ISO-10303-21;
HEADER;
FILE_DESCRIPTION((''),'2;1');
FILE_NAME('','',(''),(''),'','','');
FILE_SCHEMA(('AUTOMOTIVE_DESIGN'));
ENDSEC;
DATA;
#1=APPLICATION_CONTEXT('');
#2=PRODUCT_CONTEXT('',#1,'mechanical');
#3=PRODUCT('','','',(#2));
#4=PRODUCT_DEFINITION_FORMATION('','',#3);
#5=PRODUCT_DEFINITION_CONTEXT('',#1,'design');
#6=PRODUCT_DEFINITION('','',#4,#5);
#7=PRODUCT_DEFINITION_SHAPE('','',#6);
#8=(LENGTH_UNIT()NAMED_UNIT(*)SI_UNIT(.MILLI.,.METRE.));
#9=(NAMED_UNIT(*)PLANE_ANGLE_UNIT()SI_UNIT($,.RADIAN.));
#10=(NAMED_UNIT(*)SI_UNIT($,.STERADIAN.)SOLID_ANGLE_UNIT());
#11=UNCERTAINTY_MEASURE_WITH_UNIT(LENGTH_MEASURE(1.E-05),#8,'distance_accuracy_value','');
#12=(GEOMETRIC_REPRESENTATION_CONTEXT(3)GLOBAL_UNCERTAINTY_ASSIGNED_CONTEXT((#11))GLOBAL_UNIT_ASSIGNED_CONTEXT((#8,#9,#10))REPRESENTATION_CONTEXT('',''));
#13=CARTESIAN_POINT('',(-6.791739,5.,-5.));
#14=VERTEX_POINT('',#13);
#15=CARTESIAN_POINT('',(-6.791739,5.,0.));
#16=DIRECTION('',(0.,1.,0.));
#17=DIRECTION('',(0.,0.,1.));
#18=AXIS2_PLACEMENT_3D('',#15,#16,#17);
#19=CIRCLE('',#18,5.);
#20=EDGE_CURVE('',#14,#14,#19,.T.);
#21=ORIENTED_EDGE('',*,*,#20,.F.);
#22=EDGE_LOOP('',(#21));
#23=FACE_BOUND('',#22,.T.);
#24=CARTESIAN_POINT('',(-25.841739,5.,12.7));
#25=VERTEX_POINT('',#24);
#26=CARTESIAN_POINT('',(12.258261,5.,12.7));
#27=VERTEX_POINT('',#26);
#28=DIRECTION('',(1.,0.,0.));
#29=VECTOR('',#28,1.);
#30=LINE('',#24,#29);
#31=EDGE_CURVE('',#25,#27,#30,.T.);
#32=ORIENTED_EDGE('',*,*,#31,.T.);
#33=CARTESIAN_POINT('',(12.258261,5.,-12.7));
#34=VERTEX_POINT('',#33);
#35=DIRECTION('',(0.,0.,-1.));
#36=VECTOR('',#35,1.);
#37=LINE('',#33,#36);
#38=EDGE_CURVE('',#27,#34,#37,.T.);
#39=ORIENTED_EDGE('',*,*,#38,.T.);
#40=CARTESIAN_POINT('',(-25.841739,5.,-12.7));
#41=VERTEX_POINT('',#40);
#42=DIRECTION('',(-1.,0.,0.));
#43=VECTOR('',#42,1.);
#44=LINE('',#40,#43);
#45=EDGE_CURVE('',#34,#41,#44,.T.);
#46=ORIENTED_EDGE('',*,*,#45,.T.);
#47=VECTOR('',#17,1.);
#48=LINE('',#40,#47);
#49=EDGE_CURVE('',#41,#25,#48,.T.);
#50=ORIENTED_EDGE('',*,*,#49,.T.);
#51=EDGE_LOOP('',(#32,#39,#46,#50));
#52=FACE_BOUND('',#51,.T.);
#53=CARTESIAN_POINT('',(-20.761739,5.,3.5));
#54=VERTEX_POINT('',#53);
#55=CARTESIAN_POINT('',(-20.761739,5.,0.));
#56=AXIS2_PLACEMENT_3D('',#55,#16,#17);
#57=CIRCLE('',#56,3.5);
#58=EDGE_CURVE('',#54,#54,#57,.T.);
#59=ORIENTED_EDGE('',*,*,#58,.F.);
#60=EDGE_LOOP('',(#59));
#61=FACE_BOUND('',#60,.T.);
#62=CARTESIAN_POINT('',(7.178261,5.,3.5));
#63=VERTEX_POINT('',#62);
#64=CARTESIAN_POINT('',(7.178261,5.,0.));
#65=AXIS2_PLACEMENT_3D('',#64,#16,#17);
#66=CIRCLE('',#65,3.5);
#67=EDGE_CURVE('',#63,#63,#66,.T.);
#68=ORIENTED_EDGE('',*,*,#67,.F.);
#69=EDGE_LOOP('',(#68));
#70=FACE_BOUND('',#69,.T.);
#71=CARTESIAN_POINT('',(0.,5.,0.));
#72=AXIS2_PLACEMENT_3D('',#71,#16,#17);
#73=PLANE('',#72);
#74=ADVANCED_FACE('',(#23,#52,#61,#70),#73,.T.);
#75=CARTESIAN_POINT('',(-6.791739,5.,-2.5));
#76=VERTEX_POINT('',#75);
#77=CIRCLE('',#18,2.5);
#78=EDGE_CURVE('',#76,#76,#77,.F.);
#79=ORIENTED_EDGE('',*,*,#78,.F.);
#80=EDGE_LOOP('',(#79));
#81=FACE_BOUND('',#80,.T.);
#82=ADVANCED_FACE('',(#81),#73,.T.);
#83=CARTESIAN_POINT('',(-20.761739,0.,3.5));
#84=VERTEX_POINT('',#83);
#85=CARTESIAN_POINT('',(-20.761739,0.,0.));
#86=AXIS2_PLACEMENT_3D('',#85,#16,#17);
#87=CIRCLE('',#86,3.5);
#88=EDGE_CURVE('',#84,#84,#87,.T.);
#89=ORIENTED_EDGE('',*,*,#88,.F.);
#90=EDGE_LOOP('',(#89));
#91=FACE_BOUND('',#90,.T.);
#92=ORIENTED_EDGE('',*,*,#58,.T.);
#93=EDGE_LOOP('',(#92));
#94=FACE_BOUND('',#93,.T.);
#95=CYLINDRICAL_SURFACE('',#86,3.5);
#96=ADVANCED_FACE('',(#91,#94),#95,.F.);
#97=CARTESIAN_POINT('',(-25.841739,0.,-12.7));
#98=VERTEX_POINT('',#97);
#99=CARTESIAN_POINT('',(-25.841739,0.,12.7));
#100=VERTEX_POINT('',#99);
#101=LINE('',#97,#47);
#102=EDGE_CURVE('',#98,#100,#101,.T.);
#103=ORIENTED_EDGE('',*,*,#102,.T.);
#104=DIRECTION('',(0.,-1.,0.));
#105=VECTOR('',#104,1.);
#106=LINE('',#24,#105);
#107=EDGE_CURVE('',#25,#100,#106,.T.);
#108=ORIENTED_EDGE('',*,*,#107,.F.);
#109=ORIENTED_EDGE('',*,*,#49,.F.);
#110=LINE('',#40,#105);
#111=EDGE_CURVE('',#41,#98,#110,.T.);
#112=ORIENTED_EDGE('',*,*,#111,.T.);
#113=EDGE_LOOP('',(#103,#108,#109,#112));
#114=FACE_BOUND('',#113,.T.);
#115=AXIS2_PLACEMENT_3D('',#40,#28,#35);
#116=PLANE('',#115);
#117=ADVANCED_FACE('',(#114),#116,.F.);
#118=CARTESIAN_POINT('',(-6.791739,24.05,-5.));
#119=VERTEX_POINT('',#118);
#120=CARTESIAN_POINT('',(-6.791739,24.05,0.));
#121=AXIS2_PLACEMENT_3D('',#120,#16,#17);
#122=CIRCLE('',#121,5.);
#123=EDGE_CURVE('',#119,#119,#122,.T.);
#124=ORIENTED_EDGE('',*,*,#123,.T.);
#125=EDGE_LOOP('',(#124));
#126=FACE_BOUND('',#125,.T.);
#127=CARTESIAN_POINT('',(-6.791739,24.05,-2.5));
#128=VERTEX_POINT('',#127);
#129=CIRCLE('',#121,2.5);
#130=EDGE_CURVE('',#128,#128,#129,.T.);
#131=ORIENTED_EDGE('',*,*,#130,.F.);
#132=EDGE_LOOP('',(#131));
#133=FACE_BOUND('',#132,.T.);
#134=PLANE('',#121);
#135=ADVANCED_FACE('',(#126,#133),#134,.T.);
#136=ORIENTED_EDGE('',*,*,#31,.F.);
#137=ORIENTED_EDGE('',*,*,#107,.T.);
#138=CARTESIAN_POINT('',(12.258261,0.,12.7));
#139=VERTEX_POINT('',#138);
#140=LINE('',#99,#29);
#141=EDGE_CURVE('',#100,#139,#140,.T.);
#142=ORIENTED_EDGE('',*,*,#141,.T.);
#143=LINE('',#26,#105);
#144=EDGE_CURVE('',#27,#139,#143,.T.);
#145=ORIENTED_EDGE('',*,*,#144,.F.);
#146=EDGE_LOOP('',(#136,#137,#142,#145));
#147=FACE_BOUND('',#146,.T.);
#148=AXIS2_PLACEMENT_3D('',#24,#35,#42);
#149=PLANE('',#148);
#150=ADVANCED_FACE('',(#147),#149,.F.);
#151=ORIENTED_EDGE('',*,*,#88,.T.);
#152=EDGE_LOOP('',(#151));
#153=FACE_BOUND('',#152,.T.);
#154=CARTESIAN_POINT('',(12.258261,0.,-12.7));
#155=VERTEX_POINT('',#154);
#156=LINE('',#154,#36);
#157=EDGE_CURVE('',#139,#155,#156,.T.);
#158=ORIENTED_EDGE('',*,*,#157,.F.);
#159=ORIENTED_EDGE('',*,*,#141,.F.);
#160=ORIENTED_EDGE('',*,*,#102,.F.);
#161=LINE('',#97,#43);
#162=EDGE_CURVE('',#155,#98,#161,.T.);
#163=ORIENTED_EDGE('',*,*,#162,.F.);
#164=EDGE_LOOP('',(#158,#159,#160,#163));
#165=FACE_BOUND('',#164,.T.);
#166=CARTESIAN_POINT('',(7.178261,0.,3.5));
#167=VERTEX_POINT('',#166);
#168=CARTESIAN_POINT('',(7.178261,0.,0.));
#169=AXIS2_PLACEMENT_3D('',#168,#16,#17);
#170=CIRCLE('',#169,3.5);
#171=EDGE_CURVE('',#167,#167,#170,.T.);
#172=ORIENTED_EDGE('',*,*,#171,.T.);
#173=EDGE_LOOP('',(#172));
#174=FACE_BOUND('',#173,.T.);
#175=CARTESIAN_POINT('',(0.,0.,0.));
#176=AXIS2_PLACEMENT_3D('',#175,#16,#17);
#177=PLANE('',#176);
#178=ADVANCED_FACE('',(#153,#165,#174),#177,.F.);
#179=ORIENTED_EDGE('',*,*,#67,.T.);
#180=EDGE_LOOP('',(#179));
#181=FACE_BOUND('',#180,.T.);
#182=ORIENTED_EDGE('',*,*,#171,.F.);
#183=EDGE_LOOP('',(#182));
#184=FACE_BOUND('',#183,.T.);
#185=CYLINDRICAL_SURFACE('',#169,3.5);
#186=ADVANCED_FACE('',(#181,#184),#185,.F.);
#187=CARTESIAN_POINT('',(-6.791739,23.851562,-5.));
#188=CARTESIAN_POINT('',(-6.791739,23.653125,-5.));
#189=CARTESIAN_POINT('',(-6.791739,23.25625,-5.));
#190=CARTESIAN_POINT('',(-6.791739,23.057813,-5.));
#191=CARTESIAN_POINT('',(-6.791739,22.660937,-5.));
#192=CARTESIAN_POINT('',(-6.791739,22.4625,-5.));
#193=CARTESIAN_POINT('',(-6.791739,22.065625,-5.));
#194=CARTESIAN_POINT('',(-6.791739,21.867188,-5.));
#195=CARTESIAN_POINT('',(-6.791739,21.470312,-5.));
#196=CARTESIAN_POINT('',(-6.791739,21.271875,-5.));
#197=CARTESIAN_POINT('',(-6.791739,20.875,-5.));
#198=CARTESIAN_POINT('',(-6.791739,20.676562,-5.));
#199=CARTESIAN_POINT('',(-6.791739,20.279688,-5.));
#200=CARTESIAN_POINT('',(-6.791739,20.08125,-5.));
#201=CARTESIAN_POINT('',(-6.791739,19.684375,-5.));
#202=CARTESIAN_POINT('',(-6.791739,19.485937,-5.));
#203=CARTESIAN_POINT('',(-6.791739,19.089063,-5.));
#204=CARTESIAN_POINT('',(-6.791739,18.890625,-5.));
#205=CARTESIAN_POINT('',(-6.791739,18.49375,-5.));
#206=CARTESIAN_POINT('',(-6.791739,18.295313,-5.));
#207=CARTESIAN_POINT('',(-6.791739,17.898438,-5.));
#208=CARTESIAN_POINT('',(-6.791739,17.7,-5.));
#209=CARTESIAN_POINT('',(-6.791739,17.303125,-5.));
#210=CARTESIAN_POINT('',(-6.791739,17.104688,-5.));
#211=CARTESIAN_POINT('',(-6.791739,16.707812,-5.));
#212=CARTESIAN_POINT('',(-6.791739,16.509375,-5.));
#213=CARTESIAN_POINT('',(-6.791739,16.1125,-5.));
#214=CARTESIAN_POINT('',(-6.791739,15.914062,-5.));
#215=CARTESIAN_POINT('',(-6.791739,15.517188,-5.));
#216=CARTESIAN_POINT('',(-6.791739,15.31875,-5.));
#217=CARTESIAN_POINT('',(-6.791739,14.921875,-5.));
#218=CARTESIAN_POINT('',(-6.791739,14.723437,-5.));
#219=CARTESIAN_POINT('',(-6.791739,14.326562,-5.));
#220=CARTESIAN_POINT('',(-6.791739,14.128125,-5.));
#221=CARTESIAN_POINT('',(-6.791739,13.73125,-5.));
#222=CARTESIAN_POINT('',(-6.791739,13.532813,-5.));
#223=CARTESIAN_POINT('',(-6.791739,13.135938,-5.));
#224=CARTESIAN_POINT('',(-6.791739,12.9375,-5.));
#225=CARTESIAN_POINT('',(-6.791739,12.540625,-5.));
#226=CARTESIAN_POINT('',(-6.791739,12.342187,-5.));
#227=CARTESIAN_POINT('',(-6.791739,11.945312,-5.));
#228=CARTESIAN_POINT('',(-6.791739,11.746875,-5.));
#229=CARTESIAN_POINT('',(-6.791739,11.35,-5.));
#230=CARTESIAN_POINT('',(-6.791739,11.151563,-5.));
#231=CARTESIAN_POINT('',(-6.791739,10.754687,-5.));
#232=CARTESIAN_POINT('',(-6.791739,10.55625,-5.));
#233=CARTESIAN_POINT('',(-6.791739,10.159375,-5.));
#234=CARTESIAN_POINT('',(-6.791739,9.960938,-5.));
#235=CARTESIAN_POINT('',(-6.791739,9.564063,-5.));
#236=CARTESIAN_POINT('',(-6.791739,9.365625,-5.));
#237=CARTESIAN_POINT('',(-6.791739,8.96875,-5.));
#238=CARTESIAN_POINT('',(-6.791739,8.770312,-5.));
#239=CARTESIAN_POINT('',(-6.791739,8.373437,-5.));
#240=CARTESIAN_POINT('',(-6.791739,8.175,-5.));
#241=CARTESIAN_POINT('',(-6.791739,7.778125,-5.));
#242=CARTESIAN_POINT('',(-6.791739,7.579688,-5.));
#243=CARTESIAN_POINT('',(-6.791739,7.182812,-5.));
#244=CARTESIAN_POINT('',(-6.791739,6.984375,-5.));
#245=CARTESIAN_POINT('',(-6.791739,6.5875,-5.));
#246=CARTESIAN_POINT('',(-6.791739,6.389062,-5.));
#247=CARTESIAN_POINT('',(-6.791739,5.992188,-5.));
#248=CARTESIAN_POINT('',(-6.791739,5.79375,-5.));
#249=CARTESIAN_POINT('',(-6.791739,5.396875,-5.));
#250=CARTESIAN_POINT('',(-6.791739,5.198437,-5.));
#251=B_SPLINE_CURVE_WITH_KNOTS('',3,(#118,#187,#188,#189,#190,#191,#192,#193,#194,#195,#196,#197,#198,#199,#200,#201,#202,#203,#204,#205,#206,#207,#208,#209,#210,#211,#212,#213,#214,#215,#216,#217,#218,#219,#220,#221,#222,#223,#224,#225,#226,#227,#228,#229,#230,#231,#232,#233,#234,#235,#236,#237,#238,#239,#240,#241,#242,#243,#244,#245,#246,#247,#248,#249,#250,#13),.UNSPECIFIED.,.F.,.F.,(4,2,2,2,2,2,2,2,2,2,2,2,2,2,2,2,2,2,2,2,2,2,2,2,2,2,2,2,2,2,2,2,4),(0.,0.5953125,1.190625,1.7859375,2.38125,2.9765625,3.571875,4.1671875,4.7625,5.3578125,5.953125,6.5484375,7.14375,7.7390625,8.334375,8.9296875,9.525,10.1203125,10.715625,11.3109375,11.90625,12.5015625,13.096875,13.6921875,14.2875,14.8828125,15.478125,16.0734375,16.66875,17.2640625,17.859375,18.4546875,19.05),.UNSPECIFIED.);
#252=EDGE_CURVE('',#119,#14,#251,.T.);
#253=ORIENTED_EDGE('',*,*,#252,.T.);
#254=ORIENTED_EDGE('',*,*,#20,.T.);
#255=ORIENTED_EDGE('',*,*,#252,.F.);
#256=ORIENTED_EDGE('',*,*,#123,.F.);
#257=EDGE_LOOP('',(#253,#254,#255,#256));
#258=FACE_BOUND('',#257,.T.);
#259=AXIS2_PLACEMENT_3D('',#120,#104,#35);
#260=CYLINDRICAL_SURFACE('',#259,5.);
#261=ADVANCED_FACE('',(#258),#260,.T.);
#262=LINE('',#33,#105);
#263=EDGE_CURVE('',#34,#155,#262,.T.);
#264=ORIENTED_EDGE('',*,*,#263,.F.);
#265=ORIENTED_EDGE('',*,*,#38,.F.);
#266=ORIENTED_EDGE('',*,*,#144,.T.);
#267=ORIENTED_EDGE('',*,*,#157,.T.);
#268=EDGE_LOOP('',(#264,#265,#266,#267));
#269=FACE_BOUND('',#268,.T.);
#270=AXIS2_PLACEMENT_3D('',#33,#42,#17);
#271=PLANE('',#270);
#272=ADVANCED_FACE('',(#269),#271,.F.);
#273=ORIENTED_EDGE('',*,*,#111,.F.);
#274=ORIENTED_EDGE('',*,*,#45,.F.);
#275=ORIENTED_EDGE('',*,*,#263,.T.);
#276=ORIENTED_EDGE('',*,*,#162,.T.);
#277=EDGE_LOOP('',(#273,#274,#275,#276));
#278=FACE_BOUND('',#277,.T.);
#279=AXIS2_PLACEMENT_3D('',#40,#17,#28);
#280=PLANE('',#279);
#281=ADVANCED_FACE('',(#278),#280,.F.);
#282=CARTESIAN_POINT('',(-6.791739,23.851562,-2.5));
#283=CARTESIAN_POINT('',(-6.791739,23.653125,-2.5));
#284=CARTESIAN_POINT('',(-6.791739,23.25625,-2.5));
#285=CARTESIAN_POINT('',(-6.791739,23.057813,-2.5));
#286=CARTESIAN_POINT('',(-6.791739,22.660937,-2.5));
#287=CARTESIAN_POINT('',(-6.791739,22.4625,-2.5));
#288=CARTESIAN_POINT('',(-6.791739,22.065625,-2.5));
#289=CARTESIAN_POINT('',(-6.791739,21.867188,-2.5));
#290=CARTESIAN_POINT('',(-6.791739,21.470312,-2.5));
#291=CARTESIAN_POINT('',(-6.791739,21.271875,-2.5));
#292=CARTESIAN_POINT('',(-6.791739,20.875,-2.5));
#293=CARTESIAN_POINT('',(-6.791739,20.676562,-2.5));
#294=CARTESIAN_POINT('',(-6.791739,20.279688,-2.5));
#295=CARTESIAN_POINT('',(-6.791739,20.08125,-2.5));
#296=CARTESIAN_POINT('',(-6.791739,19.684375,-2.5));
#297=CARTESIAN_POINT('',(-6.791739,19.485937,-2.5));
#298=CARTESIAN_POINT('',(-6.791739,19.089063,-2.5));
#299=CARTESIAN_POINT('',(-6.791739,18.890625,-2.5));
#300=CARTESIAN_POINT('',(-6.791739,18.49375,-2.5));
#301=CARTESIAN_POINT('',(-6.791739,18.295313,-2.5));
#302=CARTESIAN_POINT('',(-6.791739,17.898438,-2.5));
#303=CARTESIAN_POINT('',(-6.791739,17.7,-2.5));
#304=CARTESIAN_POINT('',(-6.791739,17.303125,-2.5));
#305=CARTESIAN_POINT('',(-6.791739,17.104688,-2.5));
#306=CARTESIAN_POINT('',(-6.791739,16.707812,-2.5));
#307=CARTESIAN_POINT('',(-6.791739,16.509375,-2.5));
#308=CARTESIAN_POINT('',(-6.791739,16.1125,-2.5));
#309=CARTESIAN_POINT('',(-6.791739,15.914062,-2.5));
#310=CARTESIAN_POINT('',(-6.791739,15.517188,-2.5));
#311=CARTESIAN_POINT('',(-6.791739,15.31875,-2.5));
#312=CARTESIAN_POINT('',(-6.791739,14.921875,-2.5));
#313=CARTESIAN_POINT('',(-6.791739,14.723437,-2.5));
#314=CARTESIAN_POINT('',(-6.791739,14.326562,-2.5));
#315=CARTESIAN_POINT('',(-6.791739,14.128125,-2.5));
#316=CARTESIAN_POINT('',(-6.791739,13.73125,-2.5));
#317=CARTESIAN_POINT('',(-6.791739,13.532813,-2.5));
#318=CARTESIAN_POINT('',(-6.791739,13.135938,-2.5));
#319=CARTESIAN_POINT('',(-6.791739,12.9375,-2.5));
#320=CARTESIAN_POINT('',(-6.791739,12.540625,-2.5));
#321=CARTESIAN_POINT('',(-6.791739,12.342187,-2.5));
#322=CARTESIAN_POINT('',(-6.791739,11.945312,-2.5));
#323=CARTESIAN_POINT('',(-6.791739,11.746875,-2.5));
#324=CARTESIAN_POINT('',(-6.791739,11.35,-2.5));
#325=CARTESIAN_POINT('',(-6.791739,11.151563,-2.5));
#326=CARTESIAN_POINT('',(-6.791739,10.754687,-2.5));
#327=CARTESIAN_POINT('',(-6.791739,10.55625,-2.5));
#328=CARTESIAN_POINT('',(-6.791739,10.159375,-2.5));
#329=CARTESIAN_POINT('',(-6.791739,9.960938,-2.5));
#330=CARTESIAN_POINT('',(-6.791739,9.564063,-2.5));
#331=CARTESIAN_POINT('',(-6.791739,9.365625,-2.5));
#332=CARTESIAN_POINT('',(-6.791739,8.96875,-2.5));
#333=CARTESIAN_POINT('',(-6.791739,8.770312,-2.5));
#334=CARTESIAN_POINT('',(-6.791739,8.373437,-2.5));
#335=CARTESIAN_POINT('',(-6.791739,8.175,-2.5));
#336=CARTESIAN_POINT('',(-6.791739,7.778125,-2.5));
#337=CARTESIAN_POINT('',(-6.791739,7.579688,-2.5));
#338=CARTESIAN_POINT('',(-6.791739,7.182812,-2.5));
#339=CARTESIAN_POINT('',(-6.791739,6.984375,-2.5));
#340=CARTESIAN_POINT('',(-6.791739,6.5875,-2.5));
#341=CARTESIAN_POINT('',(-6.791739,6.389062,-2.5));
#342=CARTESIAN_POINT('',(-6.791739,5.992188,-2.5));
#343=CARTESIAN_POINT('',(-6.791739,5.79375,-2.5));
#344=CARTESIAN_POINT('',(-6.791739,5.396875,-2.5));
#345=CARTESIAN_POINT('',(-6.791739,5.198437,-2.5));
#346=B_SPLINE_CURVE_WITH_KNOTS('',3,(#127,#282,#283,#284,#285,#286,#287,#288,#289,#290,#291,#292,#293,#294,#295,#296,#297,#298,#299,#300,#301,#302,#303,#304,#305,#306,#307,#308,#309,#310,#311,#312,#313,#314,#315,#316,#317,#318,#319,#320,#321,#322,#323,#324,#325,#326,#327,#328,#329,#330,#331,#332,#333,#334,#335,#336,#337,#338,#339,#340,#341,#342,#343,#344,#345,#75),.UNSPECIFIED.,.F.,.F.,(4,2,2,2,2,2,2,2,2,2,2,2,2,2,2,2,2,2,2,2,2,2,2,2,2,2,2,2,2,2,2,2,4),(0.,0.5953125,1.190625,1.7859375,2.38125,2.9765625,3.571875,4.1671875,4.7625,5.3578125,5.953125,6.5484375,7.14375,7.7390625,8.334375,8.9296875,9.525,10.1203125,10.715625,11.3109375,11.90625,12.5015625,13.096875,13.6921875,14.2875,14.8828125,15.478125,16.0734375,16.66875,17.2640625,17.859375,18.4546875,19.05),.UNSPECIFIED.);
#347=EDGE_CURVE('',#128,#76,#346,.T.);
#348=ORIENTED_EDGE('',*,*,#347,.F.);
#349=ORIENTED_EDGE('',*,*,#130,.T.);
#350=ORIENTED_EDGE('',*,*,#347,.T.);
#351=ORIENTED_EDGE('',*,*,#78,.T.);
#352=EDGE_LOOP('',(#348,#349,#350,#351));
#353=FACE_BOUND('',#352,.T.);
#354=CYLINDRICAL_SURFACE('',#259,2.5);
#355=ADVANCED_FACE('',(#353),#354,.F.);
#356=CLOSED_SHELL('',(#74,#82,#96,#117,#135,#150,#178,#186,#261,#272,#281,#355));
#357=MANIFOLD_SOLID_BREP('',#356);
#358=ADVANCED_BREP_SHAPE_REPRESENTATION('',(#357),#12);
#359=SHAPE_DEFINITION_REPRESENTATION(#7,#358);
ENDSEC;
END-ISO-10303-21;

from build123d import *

# Parameters (mm, degrees)
SKETCH1_W           = 38.1
SKETCH1_H           = 25.4
BOSS_EXTRUDE1_DEPTH = 5
SKETCH3_R           = 5
SKETCH3_R_2         = 2.5
BOSS_EXTRUDE2_DEPTH = 19.05
SKETCH4_R           = 3.5
CUT_EXTRUDE1_DEPTH  = 35.525178946


with BuildPart() as part:
    # Sketch1 → Boss-Extrude1 (new body)
    with BuildSketch(Plane(origin=(0, 0, 0), x_dir=(1, 0, 0), z_dir=(0, 1, 0))):
        with Locations((-6.79173913, 0)):
            Rectangle(SKETCH1_W, SKETCH1_H)
    extrude(amount=BOSS_EXTRUDE1_DEPTH)

    # Sketch3 → Boss-Extrude2 (add)
    with BuildSketch(Plane(origin=(0, 5, 0), x_dir=(1, 0, 0), z_dir=(0, 1, 0))):
        with Locations((-6.79173913, 0)):
            Circle(SKETCH3_R)
        with Locations((-6.79173913, 0)):
            Circle(SKETCH3_R_2, mode=Mode.SUBTRACT)
    extrude(amount=BOSS_EXTRUDE2_DEPTH)

    # Sketch4 → Cut-Extrude1 (cut, through all)
    with BuildSketch(Plane(origin=(0, 5, 0), x_dir=(1, 0, 0), z_dir=(0, 1, 0))):
        with Locations((7.17826087, 0)):
            Circle(SKETCH4_R)
        with Locations((-20.76173913, 0)):
            Circle(SKETCH4_R)
    extrude(amount=-CUT_EXTRUDE1_DEPTH, mode=Mode.SUBTRACT)


solid = part.part
